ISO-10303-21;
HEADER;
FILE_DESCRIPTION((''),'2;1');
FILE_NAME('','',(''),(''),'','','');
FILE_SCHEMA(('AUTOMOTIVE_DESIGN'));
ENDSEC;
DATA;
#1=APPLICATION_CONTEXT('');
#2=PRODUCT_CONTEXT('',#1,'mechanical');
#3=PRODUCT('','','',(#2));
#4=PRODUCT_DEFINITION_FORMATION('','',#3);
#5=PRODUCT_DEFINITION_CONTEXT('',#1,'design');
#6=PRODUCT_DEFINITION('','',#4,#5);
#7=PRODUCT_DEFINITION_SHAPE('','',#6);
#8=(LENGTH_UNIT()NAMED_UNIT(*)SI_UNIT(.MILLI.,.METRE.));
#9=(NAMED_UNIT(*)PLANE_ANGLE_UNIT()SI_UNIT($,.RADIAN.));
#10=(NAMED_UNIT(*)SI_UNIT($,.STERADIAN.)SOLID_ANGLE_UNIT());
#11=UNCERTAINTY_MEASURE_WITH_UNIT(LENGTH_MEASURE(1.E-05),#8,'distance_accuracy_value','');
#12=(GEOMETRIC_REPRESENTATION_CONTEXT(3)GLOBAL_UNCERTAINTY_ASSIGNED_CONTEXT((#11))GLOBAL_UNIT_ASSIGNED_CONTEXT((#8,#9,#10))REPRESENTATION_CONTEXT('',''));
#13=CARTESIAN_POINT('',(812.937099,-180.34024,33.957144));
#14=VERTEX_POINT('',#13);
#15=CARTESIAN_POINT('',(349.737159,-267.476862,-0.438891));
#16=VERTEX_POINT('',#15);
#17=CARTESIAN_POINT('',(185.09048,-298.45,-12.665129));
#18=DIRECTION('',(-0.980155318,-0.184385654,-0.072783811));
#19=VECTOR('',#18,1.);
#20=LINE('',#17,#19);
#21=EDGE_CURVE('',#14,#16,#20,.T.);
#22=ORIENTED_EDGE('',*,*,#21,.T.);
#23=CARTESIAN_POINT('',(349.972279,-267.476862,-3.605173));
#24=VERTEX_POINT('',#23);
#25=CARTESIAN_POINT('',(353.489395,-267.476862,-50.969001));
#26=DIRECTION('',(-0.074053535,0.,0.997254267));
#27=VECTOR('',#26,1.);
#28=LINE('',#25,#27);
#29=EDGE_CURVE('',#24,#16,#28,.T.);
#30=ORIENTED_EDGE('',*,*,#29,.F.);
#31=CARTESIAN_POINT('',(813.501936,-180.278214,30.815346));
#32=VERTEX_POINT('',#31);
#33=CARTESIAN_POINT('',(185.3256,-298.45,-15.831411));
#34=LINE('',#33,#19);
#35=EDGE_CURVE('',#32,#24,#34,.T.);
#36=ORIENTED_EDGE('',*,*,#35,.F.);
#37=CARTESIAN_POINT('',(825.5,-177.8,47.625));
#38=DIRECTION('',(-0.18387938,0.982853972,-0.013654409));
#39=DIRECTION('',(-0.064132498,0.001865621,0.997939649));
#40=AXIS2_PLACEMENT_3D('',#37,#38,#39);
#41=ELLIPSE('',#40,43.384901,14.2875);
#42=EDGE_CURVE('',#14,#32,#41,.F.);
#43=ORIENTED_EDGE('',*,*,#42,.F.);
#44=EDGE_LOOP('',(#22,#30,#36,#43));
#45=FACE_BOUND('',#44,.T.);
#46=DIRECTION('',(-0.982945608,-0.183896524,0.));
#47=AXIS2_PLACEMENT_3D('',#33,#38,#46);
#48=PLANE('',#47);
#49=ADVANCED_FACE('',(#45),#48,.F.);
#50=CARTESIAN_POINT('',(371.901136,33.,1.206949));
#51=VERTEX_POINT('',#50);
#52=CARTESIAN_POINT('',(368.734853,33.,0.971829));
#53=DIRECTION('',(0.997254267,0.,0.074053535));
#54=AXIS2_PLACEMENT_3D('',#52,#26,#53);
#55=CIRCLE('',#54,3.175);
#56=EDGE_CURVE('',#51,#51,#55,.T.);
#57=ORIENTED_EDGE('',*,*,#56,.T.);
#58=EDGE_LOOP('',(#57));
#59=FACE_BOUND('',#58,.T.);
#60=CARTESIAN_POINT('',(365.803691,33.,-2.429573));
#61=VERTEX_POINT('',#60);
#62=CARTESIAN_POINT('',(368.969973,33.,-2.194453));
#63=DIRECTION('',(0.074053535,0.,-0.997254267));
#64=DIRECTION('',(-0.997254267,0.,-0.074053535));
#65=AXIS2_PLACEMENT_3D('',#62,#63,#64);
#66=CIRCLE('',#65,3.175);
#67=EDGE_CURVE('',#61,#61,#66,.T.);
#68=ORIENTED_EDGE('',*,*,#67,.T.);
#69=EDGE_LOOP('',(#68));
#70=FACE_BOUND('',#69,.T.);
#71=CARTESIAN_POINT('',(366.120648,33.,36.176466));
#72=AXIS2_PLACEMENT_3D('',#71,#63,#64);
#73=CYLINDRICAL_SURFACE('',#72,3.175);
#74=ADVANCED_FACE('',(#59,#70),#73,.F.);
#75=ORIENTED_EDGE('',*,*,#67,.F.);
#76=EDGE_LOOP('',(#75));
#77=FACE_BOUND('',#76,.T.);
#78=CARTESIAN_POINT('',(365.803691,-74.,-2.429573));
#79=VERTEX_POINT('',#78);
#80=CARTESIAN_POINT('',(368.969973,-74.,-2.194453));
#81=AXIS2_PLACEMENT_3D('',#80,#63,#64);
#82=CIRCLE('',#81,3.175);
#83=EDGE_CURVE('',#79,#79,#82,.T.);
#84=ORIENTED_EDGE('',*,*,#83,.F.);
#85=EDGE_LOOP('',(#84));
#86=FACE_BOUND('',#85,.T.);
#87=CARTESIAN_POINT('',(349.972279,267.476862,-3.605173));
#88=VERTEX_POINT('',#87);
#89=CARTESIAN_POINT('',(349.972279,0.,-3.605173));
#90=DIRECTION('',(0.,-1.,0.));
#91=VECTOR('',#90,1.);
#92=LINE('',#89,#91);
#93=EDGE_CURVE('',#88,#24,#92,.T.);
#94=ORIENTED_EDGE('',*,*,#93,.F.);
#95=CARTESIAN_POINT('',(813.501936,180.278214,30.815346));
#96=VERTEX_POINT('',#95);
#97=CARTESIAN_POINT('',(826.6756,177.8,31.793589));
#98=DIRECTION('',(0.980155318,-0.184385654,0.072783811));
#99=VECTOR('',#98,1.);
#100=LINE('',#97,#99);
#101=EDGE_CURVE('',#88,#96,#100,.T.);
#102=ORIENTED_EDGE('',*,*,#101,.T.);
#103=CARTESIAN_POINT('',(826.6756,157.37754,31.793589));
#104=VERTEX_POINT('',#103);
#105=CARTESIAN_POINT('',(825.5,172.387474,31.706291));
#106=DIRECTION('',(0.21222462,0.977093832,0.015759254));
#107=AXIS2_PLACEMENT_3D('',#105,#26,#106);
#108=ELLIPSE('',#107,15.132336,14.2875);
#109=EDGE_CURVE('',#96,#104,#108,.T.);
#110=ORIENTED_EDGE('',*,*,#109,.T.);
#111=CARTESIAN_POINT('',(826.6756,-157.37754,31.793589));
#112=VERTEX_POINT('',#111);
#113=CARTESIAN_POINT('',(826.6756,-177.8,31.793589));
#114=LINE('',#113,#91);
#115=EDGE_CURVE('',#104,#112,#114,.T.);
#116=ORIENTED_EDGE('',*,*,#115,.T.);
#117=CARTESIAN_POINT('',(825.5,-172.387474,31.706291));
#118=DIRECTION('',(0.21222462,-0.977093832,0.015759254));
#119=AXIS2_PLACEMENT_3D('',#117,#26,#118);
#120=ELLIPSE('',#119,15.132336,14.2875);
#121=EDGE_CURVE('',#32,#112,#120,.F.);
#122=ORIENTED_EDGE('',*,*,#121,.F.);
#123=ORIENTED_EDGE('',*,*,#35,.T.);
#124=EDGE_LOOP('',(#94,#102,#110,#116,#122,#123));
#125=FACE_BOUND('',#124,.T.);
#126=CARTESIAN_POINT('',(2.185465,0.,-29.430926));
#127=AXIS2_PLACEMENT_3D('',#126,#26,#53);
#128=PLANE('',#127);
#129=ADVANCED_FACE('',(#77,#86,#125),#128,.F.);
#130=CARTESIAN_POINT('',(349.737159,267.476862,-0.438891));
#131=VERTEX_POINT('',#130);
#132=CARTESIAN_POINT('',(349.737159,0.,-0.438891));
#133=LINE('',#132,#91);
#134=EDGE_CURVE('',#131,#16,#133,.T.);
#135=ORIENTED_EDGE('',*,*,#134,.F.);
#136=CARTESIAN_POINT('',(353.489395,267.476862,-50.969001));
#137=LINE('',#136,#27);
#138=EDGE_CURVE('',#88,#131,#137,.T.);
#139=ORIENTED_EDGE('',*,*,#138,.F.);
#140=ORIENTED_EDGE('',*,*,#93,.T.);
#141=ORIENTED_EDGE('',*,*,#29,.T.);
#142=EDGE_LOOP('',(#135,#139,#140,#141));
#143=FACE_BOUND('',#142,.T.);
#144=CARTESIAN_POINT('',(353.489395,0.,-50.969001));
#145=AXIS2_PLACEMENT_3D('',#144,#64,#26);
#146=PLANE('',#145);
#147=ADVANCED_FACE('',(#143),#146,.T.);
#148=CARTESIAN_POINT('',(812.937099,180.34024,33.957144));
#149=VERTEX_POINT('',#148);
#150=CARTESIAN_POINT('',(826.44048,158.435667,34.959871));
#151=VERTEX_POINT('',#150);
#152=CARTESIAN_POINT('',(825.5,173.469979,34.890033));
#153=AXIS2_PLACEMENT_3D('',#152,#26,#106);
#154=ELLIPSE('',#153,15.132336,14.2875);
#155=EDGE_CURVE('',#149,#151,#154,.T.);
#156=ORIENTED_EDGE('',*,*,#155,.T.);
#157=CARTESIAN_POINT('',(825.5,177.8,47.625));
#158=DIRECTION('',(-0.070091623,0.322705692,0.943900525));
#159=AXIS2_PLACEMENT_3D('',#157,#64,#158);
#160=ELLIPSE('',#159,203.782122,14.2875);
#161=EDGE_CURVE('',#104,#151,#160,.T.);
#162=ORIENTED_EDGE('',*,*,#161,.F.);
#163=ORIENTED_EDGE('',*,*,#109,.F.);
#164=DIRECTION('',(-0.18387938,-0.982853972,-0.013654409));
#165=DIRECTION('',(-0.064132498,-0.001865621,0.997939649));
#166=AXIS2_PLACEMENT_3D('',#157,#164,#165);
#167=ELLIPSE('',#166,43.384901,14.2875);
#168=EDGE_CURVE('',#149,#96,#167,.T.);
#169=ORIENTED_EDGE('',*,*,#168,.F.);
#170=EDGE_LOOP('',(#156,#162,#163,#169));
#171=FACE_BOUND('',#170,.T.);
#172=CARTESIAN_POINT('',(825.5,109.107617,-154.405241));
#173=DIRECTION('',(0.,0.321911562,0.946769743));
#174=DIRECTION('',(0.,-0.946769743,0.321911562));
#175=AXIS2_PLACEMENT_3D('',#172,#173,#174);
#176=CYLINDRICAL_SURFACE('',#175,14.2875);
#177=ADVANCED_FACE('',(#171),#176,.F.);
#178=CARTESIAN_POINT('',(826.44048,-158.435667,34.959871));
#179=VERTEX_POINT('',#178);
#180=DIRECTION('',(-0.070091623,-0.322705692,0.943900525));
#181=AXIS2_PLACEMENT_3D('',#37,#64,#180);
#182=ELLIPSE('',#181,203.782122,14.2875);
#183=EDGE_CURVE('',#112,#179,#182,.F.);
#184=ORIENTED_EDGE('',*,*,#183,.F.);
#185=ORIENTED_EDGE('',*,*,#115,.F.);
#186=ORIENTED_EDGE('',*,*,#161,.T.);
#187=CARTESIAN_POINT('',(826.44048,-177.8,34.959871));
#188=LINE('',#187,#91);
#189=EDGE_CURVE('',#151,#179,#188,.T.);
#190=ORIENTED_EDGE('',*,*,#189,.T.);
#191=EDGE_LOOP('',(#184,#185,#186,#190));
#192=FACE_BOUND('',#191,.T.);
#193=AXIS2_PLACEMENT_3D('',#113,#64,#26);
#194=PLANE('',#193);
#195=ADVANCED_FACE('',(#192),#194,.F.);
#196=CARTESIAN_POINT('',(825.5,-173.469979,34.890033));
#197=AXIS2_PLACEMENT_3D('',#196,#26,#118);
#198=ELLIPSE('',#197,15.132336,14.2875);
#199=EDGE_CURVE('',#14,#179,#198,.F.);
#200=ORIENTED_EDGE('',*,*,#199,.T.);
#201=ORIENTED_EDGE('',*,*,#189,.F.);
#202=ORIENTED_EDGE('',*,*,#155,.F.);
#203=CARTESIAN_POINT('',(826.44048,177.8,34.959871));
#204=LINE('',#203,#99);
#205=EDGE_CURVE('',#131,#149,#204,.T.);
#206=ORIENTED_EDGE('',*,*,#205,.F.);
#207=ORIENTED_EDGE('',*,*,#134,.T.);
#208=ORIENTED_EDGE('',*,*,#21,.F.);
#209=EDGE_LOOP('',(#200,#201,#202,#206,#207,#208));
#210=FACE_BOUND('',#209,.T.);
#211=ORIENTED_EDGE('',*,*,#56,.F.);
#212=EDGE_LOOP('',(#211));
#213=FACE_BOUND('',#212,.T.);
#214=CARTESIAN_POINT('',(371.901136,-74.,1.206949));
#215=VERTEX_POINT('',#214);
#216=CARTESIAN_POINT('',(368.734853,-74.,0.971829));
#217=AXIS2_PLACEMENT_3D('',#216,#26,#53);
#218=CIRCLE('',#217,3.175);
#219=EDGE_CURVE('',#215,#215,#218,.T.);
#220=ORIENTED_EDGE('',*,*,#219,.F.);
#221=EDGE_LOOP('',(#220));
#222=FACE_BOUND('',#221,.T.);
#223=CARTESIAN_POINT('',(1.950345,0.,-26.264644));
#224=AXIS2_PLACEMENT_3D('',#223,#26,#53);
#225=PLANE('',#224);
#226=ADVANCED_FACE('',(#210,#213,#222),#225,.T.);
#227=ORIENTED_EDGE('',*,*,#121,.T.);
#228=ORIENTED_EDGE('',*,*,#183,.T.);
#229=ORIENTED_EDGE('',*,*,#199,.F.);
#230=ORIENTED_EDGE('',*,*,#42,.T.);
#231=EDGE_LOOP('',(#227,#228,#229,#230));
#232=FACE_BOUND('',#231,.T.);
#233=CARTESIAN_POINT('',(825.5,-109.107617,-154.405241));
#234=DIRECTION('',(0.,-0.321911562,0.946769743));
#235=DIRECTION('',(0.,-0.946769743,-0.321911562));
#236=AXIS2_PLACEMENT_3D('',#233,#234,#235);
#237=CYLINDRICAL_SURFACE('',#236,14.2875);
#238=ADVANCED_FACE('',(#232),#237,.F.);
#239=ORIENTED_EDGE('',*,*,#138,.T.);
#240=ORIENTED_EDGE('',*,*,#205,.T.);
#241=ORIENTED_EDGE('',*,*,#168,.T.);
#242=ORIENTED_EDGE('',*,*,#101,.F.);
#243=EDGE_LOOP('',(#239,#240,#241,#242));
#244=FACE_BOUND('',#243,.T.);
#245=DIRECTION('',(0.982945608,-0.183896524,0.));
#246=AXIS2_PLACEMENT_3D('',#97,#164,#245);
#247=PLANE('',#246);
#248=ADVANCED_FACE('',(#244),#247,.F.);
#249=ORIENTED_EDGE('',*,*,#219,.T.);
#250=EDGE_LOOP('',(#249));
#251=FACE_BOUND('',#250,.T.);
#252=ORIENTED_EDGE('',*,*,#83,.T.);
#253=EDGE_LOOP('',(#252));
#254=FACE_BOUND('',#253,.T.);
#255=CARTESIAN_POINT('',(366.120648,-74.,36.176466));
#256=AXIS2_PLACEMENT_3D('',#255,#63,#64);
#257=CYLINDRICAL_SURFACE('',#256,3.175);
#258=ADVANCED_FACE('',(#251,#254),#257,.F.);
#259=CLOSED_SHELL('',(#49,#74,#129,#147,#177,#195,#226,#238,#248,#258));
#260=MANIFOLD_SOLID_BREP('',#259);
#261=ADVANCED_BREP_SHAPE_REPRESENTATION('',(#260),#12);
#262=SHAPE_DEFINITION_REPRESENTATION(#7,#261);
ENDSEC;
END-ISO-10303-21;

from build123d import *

# Parameters (mm, degrees)
BOSS_EXTRUDE1_DEPTH = 3.175
SKETCH2_R           = 14.2875
CUT_EXTRUDE1_DEPTH  = 837.34562622
CUT_EXTRUDE2_DEPTH  = 880.199971547
SKETCH4_R           = 3.175
CUT_EXTRUDE3_DEPTH  = 870.180090301


with BuildPart() as part:
    # Sketch1 → Boss-Extrude1 (new body)
    with BuildSketch(Plane(origin=(1.950344864, 0, -26.264644174), x_dir=(-0.9972542674746705, 0, -0.07405353471346578), z_dir=(0.07405353471346578, 0, -0.9972542674746705))):
        Polygon((-183.644373355, -298.45), (-183.644373355, 298.45), (-826.760197391, 177.8), (-826.760197391, -177.8), align=None)
    extrude(amount=BOSS_EXTRUDE1_DEPTH)

    # Sketch2 → Cut-Extrude1 (cut, through all)
    with BuildSketch(Plane(origin=(825.5, 212.942802273, 150.983020837), x_dir=(1, 0, 0), z_dir=(0, 0.32191156150474026, 0.9467697431633416))):
        Circle(SKETCH2_R)
    cut_extrude1 = extrude(amount=-CUT_EXTRUDE1_DEPTH, mode=Mode.SUBTRACT)

    # Mirror1: Cut-Extrude1 across plane
    add(cut_extrude1.mirror(Plane.ZX), mode=Mode.SUBTRACT)

    # Sketch3 → Cut-Extrude2 (cut, through all)
    with BuildSketch(Plane(origin=(1.950344864, 0, -26.264644174), x_dir=(0.9972542674746705, 0, 0.0740535347134658), z_dir=(-0.0740535347134658, 0, 0.9972542674746706))):
        Polygon((348.744373355, -267.476862261), (348.744373355, 267.476862261), (183.644373355, 298.45), (183.644373355, -298.45), align=None)
    extrude(amount=-CUT_EXTRUDE2_DEPTH, mode=Mode.SUBTRACT)

    # Sketch4 → Cut-Extrude3 (cut, through all)
    with BuildSketch(Plane(origin=(2.185464837, 0, -29.430926473), x_dir=(-0.9972542674746705, 0, -0.0740535347134658), z_dir=(0.0740535347134658, 0, -0.9972542674746706))):
        with Locations((-367.794373355, 33)):
            Circle(SKETCH4_R)
        with Locations((-367.794373355, -74)):
            Circle(SKETCH4_R)
    extrude(amount=-CUT_EXTRUDE3_DEPTH, mode=Mode.SUBTRACT)


solid = part.part
